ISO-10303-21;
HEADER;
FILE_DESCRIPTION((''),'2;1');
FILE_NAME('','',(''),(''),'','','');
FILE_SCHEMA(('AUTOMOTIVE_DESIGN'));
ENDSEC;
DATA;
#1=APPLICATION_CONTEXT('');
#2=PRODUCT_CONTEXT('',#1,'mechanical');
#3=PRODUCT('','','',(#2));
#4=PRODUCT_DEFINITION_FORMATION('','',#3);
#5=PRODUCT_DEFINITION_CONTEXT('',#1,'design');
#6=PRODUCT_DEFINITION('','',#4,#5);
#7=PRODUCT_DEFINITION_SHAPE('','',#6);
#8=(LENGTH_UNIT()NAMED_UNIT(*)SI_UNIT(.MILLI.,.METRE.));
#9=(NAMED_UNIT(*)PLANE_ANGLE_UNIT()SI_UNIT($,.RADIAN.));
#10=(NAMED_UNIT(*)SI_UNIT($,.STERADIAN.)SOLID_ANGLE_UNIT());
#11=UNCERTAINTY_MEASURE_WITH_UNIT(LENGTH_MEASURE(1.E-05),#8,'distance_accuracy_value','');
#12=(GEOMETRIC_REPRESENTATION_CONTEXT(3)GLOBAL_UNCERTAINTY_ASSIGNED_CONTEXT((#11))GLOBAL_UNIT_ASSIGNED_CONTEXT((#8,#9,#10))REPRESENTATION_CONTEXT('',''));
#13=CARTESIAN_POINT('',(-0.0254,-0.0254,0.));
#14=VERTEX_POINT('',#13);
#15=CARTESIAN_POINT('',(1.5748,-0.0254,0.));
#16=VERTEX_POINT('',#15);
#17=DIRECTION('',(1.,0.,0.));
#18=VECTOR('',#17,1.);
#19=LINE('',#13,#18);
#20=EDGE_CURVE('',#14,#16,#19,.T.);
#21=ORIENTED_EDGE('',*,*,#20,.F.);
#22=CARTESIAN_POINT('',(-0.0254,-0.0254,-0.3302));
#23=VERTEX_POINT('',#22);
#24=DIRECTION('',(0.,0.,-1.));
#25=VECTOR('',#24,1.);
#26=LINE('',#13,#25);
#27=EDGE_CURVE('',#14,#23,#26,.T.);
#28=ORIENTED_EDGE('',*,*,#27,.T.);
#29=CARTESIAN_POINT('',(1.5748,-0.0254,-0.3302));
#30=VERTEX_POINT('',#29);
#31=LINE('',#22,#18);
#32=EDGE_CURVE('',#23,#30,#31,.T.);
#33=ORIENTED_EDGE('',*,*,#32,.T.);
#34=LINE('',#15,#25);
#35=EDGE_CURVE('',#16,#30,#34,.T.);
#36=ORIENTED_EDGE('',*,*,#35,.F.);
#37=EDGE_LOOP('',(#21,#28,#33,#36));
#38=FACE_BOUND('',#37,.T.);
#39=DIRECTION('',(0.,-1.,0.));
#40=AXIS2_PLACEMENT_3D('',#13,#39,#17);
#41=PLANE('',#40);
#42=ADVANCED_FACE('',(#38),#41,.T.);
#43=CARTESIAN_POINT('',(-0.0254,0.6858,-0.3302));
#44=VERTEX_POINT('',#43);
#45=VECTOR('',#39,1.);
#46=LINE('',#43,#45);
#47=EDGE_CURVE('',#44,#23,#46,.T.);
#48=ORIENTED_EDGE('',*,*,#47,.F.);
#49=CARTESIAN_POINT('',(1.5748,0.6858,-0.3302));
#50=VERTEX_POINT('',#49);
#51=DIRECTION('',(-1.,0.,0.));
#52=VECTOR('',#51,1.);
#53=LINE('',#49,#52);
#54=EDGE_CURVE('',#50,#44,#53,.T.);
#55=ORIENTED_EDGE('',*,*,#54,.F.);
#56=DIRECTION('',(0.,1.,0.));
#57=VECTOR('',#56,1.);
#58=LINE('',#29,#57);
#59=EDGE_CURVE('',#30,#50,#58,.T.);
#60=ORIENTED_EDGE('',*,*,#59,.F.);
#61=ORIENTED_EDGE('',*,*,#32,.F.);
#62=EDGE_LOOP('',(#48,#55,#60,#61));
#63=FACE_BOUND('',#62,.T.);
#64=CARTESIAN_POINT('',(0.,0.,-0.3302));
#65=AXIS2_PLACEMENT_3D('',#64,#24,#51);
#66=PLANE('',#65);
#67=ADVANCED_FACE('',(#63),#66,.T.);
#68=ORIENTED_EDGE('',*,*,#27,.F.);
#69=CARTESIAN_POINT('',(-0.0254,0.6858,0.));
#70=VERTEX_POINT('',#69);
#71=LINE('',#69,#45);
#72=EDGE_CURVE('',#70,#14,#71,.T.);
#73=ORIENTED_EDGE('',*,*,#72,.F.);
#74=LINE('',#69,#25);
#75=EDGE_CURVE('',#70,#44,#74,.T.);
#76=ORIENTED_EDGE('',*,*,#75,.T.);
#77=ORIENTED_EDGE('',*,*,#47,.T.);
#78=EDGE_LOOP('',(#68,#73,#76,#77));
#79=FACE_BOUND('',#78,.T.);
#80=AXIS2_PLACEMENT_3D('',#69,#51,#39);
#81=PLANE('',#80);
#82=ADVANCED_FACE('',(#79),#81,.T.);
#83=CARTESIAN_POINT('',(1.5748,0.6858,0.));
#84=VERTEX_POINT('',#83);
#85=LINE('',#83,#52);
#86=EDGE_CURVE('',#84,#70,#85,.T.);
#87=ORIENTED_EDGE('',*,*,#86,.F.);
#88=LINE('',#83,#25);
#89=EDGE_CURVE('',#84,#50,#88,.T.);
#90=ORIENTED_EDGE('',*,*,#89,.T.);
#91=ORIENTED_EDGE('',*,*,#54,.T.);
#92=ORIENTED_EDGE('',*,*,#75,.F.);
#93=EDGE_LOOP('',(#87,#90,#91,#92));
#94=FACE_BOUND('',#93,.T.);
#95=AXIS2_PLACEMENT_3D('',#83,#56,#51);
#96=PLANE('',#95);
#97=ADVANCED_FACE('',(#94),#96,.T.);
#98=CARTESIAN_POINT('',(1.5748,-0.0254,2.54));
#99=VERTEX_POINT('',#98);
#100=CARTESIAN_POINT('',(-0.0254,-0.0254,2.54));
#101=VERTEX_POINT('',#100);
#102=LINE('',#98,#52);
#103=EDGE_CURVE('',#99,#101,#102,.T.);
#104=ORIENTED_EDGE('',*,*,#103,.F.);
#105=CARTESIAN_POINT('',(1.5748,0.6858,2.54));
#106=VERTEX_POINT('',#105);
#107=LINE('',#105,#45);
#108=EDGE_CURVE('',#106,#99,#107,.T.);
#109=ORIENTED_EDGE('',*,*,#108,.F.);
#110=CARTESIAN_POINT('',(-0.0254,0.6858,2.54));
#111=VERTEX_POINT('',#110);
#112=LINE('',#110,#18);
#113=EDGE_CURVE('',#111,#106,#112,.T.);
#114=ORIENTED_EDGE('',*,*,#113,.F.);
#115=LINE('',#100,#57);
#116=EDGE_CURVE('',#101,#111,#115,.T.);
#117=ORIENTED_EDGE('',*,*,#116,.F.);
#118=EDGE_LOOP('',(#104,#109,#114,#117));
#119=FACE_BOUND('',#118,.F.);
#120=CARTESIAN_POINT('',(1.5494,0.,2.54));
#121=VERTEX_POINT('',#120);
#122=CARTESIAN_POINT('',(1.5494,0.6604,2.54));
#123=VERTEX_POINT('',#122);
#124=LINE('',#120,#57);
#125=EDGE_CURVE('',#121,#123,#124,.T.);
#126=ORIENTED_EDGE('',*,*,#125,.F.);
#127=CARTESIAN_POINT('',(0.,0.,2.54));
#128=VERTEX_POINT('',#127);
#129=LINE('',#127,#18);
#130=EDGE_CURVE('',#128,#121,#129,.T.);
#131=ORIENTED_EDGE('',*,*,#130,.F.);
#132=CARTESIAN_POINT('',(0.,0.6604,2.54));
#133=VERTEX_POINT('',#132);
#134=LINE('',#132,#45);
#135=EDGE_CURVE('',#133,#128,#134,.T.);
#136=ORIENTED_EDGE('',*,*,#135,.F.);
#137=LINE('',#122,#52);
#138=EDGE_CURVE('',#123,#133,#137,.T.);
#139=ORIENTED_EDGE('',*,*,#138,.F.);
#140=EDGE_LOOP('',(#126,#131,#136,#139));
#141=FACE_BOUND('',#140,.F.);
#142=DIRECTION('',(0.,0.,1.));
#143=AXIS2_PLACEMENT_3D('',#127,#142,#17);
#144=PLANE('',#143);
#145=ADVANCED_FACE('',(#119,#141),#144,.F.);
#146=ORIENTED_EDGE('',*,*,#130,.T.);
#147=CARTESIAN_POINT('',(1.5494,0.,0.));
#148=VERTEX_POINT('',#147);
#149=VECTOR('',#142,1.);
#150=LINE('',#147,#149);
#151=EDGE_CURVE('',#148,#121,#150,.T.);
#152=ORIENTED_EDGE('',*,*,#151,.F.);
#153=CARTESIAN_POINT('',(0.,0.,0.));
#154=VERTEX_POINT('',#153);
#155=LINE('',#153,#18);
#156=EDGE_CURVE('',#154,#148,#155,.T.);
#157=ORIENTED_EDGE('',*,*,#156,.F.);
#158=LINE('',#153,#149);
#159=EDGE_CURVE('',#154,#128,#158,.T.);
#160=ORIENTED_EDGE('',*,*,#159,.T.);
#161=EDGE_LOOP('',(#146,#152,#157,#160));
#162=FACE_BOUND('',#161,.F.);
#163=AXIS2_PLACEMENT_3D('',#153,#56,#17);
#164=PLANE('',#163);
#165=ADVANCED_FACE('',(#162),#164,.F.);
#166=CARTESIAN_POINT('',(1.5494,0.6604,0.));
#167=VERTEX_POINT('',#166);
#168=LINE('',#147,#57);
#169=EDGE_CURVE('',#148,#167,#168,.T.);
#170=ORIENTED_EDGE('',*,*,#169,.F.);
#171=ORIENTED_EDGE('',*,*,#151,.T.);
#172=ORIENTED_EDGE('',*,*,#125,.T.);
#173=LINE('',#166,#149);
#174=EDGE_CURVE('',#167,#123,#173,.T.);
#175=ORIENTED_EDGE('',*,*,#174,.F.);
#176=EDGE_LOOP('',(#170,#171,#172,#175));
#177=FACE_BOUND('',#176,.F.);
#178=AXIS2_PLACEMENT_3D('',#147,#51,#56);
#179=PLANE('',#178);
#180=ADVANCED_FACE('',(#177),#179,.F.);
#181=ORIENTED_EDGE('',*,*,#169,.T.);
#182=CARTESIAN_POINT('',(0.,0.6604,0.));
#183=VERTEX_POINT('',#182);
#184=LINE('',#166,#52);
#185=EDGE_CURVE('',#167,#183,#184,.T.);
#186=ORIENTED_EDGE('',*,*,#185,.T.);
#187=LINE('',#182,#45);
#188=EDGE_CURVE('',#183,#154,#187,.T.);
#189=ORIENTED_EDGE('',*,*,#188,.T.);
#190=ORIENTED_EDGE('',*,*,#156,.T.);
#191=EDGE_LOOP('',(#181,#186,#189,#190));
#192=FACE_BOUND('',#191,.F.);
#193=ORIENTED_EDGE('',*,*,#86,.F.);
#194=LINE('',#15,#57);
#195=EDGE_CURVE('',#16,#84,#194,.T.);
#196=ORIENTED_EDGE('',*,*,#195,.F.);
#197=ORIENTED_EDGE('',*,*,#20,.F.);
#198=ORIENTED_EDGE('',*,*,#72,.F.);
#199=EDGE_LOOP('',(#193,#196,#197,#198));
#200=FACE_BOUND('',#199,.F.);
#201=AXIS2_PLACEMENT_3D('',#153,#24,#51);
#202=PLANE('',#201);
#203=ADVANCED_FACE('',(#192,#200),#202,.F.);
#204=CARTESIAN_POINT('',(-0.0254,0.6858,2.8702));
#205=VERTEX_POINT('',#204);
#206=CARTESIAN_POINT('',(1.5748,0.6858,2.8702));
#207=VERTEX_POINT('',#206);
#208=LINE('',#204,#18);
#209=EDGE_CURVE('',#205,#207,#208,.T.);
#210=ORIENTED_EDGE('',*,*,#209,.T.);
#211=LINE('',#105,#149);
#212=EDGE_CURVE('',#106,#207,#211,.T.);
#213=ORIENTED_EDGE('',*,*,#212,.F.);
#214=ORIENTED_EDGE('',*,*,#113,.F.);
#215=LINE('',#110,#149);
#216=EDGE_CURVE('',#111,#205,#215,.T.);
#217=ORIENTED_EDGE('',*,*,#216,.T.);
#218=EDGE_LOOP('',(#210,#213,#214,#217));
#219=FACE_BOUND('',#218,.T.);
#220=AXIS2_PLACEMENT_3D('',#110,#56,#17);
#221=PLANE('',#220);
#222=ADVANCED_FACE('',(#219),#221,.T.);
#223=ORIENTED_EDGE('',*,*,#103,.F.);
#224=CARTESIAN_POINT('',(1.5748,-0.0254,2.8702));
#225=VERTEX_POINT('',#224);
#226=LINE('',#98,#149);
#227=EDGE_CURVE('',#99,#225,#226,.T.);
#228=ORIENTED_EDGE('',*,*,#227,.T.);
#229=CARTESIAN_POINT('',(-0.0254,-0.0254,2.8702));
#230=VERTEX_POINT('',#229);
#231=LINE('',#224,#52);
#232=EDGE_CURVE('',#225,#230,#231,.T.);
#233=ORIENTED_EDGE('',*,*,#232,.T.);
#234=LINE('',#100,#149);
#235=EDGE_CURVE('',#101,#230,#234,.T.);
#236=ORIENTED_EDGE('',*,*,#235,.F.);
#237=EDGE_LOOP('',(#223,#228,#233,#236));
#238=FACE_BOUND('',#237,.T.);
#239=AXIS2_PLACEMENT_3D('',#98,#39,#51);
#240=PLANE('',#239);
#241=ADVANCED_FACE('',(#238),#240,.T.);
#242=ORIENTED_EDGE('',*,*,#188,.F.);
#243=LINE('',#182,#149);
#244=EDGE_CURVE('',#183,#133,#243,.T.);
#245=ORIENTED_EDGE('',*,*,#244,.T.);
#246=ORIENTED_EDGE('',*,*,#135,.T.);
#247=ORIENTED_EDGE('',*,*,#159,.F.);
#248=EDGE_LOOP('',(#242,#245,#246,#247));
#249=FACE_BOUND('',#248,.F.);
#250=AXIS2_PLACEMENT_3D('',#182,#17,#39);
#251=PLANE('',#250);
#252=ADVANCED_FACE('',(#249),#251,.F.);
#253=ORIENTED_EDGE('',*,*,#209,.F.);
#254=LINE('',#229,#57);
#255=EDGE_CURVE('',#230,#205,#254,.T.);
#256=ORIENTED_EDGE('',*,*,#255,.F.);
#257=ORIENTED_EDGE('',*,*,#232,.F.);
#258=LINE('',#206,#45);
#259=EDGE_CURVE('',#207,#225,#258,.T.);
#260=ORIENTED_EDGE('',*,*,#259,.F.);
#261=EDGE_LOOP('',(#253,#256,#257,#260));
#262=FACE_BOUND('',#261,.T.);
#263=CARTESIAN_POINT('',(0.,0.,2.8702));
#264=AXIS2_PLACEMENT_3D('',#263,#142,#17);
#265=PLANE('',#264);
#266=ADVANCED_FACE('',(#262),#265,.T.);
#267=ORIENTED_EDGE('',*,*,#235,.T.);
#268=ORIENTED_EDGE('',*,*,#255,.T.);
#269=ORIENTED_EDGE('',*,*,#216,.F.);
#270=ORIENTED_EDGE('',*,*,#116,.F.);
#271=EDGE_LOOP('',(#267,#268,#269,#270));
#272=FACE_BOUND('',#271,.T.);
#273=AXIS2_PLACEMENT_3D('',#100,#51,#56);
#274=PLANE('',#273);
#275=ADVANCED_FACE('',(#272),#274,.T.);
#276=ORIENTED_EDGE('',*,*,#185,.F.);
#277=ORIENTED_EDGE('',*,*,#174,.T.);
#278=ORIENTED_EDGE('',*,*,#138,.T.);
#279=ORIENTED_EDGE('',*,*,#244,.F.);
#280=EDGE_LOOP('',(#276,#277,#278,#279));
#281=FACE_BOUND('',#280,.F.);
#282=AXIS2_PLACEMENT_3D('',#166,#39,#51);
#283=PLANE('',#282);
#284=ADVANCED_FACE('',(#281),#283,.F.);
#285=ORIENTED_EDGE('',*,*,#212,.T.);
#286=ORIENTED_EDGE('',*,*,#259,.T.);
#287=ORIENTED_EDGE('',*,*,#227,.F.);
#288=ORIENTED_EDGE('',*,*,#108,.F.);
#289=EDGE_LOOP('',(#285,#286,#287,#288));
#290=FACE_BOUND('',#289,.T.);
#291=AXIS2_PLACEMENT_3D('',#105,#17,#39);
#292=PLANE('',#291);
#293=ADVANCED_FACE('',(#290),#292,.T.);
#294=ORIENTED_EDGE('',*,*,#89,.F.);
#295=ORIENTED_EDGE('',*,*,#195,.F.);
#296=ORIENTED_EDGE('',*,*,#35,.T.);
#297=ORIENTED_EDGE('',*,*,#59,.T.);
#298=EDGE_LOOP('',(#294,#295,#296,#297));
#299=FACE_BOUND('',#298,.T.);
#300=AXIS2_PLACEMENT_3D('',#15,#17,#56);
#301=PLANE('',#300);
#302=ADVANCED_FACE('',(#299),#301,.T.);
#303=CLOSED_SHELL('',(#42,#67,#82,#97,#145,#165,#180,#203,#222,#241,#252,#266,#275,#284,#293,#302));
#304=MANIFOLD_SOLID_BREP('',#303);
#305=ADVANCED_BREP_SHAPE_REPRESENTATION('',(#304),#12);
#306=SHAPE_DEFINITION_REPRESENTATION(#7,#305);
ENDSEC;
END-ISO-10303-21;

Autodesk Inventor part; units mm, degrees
ref_plane "YZ Plane" through (0, 0, 0) normal (1, 0, 0) x (0, 1, 0)
ref_plane "XZ Plane" through (0, 0, 0) normal (0, 1, 0) x (-1, 0, 0)
ref_plane "XY Plane" through (0, 0, 0) normal (0, 0, 1) x (1, 0, 0)
sketch "Sketch1" plane through (0, 0, 0) normal (0, 0, 1) x (1, 0, 0)
  line L0 (0, 0) -> (1.5494, 0)
  line L1 (1.5494, 0) -> (1.5494, 0.6604)
  line L2 (1.5494, 0.6604) -> (0, 0.6604)
  line L3 (0, 0.6604) -> (0, 0)
  dimension "d0" = 0.6604
  dimension "d1" = 1.5494
extrude "Extrusion1" add sketch "Sketch1" along normal blind 2.54
sketch "Sketch2" plane through (0, 0, 2.54) normal (0, 0, 1) x (1, 0, 0)
  line L0 (-0.0254, 0.6858) -> (1.5748, 0.6858)
  line L1 (1.5748, 0.6858) -> (1.5748, -0.0254)
  line L2 (1.5748, -0.0254) -> (-0.0254, -0.0254)
  line L3 (-0.0254, -0.0254) -> (-0.0254, 0.6858)
  line L4 (1.5494, 0) -> (1.5494, 0.6604) projected
  line L5 (0, 0.6604) -> (0, 0) projected
  line L6 (0, 0) -> (1.5494, 0) projected
  line L7 (1.5494, 0.6604) -> (0, 0.6604) projected
  dimension "d4" = 0.0254
  dimension "d5" = 0.0254
  dimension "d6" = 0.0254
  dimension "d7" = 0.0254
extrude "Extrusion2" add sketch "Sketch2" along normal blind 0.3302 contours L0 L1 L2 L3 | L6 L5 L7 L4
sketch "Sketch3" plane through (0, 0, 0) normal (0, 0, -1) x (-1, 0, 0)
  line L0 (0.0254, -0.0254) -> (-1.5748, -0.0254)
  line L1 (-1.5748, -0.0254) -> (-1.5748, 0.6858)
  line L2 (-1.5748, 0.6858) -> (0.0254, 0.6858)
  line L3 (0.0254, 0.6858) -> (0.0254, -0.0254)
  point P0 (0, 0)
extrude "Extrusion3" add sketch "Sketch3" along normal blind 0.3302
properties part number "s470 Resistor"
